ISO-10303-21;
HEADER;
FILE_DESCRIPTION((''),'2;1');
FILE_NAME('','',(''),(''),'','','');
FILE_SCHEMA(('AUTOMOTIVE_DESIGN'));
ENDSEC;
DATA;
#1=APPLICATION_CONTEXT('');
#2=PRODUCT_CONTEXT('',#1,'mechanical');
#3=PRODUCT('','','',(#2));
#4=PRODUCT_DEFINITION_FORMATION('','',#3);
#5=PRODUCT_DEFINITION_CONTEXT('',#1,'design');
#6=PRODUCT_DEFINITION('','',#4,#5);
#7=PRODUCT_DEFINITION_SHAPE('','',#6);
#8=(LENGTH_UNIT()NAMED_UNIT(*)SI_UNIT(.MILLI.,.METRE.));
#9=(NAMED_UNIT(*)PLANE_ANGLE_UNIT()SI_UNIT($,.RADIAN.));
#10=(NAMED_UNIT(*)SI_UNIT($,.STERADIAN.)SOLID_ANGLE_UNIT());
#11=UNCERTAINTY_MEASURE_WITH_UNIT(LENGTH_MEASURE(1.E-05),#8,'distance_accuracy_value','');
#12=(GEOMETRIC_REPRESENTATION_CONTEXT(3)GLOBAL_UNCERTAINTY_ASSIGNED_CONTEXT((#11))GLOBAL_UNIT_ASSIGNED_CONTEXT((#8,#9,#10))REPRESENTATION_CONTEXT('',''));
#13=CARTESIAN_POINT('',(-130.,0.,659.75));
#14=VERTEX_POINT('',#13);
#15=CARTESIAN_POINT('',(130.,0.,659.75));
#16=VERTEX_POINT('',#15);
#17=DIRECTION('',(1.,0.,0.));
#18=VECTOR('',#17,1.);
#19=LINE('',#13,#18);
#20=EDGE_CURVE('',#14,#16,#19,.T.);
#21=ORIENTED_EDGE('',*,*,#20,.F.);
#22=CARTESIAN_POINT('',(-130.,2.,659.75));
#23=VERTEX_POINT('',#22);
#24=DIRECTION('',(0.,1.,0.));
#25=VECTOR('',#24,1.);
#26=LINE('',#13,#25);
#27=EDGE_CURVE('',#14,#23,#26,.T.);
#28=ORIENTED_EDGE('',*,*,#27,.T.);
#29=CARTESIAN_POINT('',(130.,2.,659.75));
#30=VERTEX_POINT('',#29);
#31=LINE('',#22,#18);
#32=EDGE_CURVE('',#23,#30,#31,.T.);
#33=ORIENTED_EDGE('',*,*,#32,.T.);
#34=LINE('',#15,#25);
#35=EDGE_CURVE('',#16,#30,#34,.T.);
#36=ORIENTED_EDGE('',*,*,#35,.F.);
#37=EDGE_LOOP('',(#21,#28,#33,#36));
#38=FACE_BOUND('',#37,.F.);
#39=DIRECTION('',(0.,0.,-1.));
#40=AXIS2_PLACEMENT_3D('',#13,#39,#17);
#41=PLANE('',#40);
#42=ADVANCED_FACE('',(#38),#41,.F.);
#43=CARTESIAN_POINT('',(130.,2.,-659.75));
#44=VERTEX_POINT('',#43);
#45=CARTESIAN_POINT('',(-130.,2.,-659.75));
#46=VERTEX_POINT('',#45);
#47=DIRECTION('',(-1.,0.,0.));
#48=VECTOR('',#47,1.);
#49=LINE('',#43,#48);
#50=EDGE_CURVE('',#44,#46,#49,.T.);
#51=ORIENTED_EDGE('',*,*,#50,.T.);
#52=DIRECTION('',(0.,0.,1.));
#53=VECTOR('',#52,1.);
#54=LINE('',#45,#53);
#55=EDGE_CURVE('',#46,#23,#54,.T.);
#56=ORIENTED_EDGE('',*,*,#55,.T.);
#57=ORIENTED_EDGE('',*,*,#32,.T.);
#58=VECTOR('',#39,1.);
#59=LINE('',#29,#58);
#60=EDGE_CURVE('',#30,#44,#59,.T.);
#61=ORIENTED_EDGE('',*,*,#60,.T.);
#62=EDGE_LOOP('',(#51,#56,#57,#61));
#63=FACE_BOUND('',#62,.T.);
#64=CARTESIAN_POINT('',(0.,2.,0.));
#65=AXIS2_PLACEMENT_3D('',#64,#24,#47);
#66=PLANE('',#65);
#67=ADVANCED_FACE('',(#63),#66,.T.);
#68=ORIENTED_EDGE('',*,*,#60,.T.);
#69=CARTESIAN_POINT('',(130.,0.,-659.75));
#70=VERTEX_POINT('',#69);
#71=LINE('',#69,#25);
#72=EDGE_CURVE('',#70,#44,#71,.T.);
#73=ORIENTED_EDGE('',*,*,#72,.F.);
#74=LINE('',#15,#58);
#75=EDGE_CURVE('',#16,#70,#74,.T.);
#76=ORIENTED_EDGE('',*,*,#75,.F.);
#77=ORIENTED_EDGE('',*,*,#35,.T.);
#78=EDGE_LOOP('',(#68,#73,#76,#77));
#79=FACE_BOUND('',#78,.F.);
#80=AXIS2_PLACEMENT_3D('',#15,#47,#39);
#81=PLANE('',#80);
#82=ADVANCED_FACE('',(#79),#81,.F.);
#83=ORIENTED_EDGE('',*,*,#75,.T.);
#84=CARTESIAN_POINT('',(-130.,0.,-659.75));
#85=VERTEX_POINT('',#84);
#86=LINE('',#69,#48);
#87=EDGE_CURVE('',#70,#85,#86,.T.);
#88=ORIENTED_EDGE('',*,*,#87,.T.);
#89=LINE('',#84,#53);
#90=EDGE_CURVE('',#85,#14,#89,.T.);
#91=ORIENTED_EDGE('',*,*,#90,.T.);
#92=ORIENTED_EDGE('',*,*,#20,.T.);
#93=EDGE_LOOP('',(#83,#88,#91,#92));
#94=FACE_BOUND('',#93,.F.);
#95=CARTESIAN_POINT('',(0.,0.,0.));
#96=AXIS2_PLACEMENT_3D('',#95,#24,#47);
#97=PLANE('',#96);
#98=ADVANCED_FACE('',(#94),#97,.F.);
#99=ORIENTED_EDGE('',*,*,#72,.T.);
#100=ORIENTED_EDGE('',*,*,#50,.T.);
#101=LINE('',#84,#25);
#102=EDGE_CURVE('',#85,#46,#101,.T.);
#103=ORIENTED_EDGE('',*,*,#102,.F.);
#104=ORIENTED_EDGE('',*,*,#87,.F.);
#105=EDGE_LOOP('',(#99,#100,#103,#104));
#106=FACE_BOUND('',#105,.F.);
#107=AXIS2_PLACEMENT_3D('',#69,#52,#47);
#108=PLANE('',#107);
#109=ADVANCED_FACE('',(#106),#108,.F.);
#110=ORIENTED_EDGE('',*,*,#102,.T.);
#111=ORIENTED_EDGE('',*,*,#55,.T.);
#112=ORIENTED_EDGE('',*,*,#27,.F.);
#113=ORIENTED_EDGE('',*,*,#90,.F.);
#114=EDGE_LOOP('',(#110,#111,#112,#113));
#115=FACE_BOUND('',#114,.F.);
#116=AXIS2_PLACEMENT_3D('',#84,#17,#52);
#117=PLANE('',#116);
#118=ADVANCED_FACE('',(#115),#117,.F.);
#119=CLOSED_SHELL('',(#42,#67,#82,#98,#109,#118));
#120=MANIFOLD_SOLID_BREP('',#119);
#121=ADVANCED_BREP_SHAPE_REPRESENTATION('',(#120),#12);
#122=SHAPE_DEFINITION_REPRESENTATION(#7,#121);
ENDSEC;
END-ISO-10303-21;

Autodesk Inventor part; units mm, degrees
ref_plane "YZ Plane" through (0, 0, 0) normal (1, 0, 0) x (0, 1, 0)
ref_plane "XZ Plane" through (0, 0, 0) normal (0, 1, 0) x (-1, 0, 0)
ref_plane "XY Plane" through (0, 0, 0) normal (0, 0, 1) x (1, 0, 0)
sketch "Sketch1" plane through (0, 0, 0) normal (0, 1, 0) x (-1, 0, 0)
  line L0 (130, 659.75) -> (-130, 659.75)
  line L1 (-130, 659.75) -> (-130, -659.75)
  line L2 (-130, -659.75) -> (130, -659.75)
  line L3 (130, -659.75) -> (130, 659.75)
  line L4 (130, 659.75) -> (-130, -659.75) construction
  line L5 (-130, 659.75) -> (130, -659.75) construction
  point P0 (0, 0)
  dimension "d0" = 1319.5
  dimension "d1" = 260
extrude "Plate1" add sketch "Sketch1" along normal blind 2
equation "\"d2\" = Thickness"
equation "\"BendRadius\" = Thickness"
equation "\"BendReliefWidth\" = Thickness"
equation "\"BendReliefDepth\" = 0.5 * Thickness"
equation "\"CornerReliefSize\" = 4 * Thickness"
equation "\"MinimumRemnant\" = 2 * Thickness"
equation "\"TransitionRadius\" = BendRadius"
equation "\"JacobiRadiusSize\" = BendRadius"
equation "\"GapSize\" = Thickness"
equation "\"Thickness\" = 2"
properties part number "Vertical"
